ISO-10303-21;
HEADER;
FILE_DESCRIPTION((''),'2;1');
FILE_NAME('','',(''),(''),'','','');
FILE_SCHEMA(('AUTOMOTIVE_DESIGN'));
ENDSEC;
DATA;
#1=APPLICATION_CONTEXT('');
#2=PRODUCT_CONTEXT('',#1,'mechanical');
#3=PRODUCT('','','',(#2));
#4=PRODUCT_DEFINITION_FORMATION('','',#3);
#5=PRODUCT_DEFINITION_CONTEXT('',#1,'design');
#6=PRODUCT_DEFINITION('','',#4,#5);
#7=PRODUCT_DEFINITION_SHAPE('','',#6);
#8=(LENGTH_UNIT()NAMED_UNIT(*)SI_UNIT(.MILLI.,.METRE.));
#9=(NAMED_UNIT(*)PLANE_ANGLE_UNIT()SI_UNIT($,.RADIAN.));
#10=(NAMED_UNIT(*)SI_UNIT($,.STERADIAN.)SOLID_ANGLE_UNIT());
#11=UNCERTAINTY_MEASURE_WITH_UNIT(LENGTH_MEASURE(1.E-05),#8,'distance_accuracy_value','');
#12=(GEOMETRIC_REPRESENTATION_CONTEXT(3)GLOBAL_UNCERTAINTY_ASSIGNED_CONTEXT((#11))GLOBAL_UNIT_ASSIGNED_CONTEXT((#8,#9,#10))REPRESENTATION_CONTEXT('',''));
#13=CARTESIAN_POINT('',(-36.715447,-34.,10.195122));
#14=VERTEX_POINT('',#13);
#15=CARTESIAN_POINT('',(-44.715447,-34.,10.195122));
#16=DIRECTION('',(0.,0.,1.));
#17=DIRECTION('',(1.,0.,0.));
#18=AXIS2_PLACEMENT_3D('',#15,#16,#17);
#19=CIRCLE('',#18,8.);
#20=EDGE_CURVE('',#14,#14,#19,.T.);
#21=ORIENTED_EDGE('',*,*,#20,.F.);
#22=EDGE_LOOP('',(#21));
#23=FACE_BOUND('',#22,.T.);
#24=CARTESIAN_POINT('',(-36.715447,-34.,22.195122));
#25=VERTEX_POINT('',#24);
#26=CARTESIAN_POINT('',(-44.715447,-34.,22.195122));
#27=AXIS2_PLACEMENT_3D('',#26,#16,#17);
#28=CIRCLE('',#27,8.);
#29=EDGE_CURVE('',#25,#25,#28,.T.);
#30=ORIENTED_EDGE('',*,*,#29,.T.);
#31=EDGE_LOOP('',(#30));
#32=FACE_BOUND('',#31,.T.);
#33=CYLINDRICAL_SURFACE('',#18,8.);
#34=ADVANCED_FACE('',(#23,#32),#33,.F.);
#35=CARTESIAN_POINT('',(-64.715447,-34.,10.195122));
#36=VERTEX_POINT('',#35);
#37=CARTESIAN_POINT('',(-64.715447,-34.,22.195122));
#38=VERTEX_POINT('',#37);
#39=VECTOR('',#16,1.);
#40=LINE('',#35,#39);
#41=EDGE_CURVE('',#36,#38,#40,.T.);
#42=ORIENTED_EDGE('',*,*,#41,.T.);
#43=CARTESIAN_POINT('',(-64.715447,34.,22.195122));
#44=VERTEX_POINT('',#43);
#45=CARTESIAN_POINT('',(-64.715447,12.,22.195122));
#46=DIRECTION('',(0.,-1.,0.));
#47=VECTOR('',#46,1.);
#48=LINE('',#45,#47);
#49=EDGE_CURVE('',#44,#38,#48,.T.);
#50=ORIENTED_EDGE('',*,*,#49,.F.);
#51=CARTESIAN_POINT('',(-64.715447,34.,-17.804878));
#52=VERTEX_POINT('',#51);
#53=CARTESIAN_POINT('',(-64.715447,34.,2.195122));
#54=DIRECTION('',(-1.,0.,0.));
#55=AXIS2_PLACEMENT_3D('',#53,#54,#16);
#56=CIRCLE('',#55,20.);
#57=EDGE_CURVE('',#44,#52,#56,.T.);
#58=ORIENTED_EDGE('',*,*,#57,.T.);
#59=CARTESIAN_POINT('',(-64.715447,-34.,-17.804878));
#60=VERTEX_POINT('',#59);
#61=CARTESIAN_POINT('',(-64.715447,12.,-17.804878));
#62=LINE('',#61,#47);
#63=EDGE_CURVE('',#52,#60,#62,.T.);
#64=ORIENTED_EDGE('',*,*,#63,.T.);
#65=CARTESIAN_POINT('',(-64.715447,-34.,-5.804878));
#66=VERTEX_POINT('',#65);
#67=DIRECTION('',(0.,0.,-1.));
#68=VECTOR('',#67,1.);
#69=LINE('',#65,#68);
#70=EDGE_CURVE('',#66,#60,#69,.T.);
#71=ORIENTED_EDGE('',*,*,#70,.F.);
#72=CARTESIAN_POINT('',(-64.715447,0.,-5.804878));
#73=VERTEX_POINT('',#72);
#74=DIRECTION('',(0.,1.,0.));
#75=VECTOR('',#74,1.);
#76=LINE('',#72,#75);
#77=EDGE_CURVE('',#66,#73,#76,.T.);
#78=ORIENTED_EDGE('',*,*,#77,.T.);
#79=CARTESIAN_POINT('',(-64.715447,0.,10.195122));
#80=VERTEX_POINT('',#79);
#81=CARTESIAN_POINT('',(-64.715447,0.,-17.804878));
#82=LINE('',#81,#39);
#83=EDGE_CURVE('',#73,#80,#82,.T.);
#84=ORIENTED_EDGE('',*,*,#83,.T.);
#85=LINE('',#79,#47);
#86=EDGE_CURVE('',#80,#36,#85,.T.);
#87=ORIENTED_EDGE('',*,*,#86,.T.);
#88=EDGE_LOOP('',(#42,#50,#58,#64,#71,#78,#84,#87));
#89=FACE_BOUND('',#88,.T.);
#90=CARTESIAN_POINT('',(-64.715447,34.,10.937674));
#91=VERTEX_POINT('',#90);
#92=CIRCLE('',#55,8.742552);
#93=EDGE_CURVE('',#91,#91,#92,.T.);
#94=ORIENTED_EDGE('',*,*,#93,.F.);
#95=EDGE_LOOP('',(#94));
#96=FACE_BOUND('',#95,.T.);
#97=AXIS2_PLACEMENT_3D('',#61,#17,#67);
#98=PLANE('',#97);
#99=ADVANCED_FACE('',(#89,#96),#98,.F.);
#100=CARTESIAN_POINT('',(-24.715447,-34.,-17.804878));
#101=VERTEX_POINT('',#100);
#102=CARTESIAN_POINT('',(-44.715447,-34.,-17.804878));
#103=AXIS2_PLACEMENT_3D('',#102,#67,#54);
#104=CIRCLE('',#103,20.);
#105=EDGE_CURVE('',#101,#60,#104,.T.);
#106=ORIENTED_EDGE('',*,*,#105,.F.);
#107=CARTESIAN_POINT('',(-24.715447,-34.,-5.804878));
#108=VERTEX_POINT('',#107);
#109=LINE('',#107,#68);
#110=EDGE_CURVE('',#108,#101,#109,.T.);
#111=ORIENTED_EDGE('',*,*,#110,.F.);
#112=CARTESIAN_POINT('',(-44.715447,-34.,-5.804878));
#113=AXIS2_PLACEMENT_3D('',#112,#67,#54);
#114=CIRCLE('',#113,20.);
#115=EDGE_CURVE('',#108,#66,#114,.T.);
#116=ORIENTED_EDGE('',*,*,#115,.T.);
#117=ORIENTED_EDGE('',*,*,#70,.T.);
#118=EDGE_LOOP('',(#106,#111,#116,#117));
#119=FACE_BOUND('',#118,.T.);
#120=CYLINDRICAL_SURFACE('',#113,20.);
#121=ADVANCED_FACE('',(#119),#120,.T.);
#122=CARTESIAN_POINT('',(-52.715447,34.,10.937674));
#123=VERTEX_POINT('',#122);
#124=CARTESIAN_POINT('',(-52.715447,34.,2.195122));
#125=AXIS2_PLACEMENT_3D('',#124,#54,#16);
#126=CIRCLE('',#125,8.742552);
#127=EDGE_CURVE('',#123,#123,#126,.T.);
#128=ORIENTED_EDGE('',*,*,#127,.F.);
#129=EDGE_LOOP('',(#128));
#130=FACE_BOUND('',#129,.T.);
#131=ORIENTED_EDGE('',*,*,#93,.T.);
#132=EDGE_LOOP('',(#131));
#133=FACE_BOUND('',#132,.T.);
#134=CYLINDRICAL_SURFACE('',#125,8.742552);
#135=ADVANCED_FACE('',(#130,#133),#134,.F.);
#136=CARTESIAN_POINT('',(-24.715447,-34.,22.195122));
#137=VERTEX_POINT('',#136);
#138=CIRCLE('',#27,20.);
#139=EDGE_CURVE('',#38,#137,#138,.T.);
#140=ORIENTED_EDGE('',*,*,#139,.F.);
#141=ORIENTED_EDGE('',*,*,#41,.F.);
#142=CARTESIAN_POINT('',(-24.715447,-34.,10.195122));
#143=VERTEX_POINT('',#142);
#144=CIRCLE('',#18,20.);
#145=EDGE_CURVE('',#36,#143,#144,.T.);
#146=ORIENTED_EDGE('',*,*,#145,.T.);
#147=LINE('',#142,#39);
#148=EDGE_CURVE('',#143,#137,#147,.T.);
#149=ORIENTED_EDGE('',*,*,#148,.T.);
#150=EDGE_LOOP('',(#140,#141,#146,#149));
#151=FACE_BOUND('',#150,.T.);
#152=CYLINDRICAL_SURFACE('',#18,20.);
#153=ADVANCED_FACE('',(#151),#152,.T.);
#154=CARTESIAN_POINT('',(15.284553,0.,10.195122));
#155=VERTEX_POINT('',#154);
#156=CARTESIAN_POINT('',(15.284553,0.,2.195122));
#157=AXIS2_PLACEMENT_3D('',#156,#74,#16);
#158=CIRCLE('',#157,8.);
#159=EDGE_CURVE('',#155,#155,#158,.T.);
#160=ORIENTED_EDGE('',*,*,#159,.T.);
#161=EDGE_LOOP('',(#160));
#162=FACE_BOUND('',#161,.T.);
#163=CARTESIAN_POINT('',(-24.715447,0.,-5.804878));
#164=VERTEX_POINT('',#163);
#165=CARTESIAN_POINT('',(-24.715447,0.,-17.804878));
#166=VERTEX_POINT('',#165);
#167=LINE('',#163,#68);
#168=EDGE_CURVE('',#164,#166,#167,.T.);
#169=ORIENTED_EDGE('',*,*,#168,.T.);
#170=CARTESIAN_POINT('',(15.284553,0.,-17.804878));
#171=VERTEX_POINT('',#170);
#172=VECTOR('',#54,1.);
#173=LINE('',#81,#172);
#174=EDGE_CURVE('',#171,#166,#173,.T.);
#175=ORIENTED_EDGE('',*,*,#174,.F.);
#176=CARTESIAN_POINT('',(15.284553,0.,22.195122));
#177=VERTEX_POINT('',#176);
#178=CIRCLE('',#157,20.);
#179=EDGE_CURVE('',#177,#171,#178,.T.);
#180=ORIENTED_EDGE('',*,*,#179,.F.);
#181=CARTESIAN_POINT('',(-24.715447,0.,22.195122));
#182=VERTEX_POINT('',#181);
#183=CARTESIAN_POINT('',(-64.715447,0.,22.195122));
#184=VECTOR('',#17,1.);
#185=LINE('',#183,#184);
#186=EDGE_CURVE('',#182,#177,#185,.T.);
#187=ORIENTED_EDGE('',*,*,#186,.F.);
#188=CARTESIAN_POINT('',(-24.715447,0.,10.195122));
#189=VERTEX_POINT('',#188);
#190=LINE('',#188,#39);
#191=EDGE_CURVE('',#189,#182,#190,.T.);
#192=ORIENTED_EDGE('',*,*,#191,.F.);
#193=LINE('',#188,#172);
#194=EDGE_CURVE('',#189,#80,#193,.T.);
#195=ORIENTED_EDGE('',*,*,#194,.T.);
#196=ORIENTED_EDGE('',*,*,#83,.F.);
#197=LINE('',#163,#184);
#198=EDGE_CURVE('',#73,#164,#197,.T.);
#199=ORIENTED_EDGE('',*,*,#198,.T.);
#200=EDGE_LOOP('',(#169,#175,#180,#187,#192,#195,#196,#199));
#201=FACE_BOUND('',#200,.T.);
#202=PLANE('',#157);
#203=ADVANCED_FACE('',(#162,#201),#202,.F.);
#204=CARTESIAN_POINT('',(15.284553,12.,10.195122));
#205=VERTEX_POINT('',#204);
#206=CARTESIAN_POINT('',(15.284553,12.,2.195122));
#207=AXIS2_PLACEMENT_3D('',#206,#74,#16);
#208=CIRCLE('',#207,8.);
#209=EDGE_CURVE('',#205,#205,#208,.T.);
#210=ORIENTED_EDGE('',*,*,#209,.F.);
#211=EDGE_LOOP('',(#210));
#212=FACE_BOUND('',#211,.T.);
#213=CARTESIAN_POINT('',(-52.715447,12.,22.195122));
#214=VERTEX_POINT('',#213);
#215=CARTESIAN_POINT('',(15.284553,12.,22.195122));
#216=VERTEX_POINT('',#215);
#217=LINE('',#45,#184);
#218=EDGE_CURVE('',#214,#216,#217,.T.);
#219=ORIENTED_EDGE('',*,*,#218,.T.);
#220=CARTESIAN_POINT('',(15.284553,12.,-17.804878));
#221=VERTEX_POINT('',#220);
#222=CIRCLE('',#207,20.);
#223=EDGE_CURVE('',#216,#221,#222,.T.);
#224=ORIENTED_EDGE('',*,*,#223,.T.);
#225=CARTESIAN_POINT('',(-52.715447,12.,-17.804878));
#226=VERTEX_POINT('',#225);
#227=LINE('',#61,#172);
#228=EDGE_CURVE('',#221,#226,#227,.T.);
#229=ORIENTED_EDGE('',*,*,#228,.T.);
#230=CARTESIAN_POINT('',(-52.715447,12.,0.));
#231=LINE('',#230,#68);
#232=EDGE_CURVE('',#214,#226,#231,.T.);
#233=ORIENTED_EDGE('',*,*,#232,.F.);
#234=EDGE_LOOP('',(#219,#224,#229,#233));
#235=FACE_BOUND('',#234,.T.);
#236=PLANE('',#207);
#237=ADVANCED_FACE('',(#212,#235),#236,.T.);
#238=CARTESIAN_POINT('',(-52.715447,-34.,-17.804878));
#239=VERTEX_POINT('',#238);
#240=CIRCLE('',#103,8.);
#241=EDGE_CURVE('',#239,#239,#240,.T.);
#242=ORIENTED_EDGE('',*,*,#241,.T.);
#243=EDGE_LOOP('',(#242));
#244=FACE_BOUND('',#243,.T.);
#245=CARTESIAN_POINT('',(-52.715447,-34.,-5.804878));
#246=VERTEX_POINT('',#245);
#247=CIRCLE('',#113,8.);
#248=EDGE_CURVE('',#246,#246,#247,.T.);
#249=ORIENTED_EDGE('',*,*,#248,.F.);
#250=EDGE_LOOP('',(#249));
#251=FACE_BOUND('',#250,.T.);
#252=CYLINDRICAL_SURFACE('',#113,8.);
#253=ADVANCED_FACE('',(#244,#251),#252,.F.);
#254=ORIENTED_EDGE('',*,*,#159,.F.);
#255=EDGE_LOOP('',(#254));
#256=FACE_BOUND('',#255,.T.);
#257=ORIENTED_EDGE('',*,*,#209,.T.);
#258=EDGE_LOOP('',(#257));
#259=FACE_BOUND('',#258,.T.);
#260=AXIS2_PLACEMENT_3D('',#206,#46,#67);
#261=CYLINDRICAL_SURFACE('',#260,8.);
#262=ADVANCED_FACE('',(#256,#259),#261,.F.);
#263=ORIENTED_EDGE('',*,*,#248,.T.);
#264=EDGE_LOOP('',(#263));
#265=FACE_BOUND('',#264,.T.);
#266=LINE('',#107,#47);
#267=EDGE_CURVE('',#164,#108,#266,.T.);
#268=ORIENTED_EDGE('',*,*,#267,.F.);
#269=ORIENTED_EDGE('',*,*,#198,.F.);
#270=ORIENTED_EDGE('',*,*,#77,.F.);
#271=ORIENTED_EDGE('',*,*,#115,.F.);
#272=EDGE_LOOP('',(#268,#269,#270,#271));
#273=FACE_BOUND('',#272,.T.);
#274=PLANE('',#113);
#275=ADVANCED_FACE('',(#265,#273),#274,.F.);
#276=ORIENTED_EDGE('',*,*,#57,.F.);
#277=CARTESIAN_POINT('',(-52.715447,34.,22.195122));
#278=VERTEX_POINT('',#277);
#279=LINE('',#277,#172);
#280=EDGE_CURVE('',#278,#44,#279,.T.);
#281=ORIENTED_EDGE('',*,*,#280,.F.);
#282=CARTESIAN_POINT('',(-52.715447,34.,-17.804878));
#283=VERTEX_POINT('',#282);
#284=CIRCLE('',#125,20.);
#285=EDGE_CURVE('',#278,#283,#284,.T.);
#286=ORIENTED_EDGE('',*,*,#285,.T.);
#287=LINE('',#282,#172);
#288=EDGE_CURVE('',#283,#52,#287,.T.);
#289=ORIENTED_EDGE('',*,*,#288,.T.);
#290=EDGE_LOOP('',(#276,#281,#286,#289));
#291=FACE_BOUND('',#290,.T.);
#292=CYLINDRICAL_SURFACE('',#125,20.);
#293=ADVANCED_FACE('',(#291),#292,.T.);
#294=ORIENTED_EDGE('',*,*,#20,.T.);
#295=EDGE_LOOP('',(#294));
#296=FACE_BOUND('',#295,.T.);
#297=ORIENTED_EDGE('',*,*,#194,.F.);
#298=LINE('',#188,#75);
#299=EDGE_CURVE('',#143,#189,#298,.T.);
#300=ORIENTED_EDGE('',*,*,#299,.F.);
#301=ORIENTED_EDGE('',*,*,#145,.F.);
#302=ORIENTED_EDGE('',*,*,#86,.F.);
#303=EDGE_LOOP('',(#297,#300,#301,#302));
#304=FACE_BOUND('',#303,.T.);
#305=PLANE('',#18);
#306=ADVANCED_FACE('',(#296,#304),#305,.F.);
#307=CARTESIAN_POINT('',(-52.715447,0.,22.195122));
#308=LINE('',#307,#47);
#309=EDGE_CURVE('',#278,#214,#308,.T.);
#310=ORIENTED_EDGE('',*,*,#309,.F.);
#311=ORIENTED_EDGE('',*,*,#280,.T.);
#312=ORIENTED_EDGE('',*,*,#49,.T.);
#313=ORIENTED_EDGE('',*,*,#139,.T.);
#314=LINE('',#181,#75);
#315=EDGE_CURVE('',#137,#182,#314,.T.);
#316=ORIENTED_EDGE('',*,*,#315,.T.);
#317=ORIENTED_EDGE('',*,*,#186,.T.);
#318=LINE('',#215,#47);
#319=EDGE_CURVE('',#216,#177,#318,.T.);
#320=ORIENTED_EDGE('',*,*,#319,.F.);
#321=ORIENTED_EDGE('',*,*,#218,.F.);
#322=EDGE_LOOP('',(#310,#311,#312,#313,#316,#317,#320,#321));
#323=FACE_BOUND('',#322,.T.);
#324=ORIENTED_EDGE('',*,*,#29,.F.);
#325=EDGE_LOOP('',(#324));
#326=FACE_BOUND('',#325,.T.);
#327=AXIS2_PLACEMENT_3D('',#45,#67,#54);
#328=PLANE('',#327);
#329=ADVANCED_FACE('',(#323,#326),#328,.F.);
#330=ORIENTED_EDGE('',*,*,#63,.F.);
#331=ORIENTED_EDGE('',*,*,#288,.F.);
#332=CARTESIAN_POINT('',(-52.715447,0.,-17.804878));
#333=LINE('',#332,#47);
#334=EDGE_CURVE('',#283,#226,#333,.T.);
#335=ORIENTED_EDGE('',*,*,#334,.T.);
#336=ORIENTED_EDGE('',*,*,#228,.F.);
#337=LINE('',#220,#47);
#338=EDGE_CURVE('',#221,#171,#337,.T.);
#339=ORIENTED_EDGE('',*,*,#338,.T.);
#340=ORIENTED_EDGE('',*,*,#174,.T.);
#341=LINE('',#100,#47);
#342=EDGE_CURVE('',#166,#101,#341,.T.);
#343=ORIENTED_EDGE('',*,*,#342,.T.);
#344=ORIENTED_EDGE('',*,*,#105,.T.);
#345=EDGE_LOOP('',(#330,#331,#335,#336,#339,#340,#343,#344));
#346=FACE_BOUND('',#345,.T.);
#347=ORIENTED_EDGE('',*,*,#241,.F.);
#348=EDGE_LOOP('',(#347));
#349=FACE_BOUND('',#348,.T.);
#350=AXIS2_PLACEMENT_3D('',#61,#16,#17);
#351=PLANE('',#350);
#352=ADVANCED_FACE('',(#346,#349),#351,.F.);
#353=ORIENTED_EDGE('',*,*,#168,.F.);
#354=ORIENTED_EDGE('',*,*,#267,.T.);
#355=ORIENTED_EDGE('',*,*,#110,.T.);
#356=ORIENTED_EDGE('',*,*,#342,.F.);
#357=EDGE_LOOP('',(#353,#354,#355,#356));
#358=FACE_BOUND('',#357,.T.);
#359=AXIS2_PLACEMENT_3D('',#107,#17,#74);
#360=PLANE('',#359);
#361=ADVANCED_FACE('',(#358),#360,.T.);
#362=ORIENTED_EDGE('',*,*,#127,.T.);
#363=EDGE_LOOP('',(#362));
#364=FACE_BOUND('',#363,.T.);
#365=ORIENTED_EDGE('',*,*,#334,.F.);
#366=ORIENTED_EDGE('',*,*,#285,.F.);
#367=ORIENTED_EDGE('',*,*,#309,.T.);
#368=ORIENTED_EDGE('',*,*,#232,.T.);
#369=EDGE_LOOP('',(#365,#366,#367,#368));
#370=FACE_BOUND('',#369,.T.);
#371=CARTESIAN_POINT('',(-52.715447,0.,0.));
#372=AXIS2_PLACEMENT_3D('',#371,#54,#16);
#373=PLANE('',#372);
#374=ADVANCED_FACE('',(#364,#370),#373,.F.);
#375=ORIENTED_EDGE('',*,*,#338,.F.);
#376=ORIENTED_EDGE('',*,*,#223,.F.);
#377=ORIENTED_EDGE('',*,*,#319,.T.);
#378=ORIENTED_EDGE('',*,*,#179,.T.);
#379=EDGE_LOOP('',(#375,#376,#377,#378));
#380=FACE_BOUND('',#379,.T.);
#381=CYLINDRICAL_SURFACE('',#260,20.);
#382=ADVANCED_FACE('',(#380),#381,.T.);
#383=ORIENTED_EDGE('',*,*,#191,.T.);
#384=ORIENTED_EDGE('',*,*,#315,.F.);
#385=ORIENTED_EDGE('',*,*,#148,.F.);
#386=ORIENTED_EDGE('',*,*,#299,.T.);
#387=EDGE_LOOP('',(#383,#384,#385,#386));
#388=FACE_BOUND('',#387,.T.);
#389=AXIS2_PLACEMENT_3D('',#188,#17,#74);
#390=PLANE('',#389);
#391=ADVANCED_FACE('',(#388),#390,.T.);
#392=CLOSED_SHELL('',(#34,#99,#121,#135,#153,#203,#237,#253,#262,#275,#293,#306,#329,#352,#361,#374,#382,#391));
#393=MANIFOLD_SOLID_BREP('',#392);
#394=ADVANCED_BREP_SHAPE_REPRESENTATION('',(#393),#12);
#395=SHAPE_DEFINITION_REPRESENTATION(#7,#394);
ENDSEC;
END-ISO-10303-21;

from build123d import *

# Parameters (mm, degrees)
SKETCH1_R           = 8
BOSS_EXTRUDE2_DEPTH = 12
SKETCH3_R           = 8.742551749
BOSS_EXTRUDE3_DEPTH = 12
SKETCH4_R           = 8
BOSS_EXTRUDE4_DEPTH = 12
SKETCH5_R           = 8
BOSS_EXTRUDE5_DEPTH = 12


with BuildPart() as part:
    # Sketch1 → Boss-Extrude2 (new body)
    with BuildSketch(Plane(origin=(0, 0, 0), x_dir=(1, 0, 0), z_dir=(0, 1, 0))):
        with BuildLine():
            Line((-64.715447154, 17.804878049), (15.284552846, 17.804878049))
            ThreePointArc((15.284552846, 17.804878049), (35.284552846, -2.195121951), (15.284552846, -22.195121951))
            Line((15.284552846, -22.195121951), (-64.715447154, -22.195121951))
            Line((-64.715447154, -22.195121951), (-64.715447154, 17.804878049))
        make_face()
        with Locations((15.284552846, -2.195121951)):
            Circle(SKETCH1_R, mode=Mode.SUBTRACT)
    extrude(amount=BOSS_EXTRUDE2_DEPTH)

    # Sketch3 → Boss-Extrude3 (add)
    with BuildSketch(Plane.ZY.offset(64.715447154)):
        with BuildLine():
            ThreePointArc((22.195121951, 34), (2.195121951, 54), (-17.804878049, 34))
            Line((-17.804878049, 34), (-17.804878049, 12))
            Line((-17.804878049, 12), (22.195121951, 12))
            Line((22.195121951, 12), (22.195121951, 34))
        make_face()
        with Locations((2.195121951, 34)):
            Circle(SKETCH3_R, mode=Mode.SUBTRACT)
    extrude(amount=-BOSS_EXTRUDE3_DEPTH)

    # Sketch4 → Boss-Extrude4 (add)
    with BuildSketch(Plane(origin=(0, 0, -17.804878049), x_dir=(-1, 0, 0), z_dir=(0, 0, -1))):
        with BuildLine():
            Line((64.715447154, 0), (64.715447154, -34))
            ThreePointArc((64.715447154, -34), (44.715447154, -54), (24.715447154, -34))
            Line((24.715447154, -34), (24.715447154, 0))
            Line((24.715447154, 0), (64.715447154, 0))
        make_face()
        with Locations((44.715447154, -34)):
            Circle(SKETCH4_R, mode=Mode.SUBTRACT)
    extrude(amount=-BOSS_EXTRUDE4_DEPTH)

    # Sketch5 → Boss-Extrude5 (add)
    with BuildSketch(Plane.XY.offset(22.195121951)):
        with BuildLine():
            Line((-64.715447154, 0), (-64.715447154, -34))
            ThreePointArc((-64.715447154, -34), (-44.715447154, -54), (-24.715447154, -34))
            Line((-24.715447154, -34), (-24.715447154, 0))
            Line((-24.715447154, 0), (-64.715447154, 0))
        make_face()
        with Locations((-44.715447154, -34)):
            Circle(SKETCH5_R, mode=Mode.SUBTRACT)
    extrude(amount=-BOSS_EXTRUDE5_DEPTH)


solid = part.part
